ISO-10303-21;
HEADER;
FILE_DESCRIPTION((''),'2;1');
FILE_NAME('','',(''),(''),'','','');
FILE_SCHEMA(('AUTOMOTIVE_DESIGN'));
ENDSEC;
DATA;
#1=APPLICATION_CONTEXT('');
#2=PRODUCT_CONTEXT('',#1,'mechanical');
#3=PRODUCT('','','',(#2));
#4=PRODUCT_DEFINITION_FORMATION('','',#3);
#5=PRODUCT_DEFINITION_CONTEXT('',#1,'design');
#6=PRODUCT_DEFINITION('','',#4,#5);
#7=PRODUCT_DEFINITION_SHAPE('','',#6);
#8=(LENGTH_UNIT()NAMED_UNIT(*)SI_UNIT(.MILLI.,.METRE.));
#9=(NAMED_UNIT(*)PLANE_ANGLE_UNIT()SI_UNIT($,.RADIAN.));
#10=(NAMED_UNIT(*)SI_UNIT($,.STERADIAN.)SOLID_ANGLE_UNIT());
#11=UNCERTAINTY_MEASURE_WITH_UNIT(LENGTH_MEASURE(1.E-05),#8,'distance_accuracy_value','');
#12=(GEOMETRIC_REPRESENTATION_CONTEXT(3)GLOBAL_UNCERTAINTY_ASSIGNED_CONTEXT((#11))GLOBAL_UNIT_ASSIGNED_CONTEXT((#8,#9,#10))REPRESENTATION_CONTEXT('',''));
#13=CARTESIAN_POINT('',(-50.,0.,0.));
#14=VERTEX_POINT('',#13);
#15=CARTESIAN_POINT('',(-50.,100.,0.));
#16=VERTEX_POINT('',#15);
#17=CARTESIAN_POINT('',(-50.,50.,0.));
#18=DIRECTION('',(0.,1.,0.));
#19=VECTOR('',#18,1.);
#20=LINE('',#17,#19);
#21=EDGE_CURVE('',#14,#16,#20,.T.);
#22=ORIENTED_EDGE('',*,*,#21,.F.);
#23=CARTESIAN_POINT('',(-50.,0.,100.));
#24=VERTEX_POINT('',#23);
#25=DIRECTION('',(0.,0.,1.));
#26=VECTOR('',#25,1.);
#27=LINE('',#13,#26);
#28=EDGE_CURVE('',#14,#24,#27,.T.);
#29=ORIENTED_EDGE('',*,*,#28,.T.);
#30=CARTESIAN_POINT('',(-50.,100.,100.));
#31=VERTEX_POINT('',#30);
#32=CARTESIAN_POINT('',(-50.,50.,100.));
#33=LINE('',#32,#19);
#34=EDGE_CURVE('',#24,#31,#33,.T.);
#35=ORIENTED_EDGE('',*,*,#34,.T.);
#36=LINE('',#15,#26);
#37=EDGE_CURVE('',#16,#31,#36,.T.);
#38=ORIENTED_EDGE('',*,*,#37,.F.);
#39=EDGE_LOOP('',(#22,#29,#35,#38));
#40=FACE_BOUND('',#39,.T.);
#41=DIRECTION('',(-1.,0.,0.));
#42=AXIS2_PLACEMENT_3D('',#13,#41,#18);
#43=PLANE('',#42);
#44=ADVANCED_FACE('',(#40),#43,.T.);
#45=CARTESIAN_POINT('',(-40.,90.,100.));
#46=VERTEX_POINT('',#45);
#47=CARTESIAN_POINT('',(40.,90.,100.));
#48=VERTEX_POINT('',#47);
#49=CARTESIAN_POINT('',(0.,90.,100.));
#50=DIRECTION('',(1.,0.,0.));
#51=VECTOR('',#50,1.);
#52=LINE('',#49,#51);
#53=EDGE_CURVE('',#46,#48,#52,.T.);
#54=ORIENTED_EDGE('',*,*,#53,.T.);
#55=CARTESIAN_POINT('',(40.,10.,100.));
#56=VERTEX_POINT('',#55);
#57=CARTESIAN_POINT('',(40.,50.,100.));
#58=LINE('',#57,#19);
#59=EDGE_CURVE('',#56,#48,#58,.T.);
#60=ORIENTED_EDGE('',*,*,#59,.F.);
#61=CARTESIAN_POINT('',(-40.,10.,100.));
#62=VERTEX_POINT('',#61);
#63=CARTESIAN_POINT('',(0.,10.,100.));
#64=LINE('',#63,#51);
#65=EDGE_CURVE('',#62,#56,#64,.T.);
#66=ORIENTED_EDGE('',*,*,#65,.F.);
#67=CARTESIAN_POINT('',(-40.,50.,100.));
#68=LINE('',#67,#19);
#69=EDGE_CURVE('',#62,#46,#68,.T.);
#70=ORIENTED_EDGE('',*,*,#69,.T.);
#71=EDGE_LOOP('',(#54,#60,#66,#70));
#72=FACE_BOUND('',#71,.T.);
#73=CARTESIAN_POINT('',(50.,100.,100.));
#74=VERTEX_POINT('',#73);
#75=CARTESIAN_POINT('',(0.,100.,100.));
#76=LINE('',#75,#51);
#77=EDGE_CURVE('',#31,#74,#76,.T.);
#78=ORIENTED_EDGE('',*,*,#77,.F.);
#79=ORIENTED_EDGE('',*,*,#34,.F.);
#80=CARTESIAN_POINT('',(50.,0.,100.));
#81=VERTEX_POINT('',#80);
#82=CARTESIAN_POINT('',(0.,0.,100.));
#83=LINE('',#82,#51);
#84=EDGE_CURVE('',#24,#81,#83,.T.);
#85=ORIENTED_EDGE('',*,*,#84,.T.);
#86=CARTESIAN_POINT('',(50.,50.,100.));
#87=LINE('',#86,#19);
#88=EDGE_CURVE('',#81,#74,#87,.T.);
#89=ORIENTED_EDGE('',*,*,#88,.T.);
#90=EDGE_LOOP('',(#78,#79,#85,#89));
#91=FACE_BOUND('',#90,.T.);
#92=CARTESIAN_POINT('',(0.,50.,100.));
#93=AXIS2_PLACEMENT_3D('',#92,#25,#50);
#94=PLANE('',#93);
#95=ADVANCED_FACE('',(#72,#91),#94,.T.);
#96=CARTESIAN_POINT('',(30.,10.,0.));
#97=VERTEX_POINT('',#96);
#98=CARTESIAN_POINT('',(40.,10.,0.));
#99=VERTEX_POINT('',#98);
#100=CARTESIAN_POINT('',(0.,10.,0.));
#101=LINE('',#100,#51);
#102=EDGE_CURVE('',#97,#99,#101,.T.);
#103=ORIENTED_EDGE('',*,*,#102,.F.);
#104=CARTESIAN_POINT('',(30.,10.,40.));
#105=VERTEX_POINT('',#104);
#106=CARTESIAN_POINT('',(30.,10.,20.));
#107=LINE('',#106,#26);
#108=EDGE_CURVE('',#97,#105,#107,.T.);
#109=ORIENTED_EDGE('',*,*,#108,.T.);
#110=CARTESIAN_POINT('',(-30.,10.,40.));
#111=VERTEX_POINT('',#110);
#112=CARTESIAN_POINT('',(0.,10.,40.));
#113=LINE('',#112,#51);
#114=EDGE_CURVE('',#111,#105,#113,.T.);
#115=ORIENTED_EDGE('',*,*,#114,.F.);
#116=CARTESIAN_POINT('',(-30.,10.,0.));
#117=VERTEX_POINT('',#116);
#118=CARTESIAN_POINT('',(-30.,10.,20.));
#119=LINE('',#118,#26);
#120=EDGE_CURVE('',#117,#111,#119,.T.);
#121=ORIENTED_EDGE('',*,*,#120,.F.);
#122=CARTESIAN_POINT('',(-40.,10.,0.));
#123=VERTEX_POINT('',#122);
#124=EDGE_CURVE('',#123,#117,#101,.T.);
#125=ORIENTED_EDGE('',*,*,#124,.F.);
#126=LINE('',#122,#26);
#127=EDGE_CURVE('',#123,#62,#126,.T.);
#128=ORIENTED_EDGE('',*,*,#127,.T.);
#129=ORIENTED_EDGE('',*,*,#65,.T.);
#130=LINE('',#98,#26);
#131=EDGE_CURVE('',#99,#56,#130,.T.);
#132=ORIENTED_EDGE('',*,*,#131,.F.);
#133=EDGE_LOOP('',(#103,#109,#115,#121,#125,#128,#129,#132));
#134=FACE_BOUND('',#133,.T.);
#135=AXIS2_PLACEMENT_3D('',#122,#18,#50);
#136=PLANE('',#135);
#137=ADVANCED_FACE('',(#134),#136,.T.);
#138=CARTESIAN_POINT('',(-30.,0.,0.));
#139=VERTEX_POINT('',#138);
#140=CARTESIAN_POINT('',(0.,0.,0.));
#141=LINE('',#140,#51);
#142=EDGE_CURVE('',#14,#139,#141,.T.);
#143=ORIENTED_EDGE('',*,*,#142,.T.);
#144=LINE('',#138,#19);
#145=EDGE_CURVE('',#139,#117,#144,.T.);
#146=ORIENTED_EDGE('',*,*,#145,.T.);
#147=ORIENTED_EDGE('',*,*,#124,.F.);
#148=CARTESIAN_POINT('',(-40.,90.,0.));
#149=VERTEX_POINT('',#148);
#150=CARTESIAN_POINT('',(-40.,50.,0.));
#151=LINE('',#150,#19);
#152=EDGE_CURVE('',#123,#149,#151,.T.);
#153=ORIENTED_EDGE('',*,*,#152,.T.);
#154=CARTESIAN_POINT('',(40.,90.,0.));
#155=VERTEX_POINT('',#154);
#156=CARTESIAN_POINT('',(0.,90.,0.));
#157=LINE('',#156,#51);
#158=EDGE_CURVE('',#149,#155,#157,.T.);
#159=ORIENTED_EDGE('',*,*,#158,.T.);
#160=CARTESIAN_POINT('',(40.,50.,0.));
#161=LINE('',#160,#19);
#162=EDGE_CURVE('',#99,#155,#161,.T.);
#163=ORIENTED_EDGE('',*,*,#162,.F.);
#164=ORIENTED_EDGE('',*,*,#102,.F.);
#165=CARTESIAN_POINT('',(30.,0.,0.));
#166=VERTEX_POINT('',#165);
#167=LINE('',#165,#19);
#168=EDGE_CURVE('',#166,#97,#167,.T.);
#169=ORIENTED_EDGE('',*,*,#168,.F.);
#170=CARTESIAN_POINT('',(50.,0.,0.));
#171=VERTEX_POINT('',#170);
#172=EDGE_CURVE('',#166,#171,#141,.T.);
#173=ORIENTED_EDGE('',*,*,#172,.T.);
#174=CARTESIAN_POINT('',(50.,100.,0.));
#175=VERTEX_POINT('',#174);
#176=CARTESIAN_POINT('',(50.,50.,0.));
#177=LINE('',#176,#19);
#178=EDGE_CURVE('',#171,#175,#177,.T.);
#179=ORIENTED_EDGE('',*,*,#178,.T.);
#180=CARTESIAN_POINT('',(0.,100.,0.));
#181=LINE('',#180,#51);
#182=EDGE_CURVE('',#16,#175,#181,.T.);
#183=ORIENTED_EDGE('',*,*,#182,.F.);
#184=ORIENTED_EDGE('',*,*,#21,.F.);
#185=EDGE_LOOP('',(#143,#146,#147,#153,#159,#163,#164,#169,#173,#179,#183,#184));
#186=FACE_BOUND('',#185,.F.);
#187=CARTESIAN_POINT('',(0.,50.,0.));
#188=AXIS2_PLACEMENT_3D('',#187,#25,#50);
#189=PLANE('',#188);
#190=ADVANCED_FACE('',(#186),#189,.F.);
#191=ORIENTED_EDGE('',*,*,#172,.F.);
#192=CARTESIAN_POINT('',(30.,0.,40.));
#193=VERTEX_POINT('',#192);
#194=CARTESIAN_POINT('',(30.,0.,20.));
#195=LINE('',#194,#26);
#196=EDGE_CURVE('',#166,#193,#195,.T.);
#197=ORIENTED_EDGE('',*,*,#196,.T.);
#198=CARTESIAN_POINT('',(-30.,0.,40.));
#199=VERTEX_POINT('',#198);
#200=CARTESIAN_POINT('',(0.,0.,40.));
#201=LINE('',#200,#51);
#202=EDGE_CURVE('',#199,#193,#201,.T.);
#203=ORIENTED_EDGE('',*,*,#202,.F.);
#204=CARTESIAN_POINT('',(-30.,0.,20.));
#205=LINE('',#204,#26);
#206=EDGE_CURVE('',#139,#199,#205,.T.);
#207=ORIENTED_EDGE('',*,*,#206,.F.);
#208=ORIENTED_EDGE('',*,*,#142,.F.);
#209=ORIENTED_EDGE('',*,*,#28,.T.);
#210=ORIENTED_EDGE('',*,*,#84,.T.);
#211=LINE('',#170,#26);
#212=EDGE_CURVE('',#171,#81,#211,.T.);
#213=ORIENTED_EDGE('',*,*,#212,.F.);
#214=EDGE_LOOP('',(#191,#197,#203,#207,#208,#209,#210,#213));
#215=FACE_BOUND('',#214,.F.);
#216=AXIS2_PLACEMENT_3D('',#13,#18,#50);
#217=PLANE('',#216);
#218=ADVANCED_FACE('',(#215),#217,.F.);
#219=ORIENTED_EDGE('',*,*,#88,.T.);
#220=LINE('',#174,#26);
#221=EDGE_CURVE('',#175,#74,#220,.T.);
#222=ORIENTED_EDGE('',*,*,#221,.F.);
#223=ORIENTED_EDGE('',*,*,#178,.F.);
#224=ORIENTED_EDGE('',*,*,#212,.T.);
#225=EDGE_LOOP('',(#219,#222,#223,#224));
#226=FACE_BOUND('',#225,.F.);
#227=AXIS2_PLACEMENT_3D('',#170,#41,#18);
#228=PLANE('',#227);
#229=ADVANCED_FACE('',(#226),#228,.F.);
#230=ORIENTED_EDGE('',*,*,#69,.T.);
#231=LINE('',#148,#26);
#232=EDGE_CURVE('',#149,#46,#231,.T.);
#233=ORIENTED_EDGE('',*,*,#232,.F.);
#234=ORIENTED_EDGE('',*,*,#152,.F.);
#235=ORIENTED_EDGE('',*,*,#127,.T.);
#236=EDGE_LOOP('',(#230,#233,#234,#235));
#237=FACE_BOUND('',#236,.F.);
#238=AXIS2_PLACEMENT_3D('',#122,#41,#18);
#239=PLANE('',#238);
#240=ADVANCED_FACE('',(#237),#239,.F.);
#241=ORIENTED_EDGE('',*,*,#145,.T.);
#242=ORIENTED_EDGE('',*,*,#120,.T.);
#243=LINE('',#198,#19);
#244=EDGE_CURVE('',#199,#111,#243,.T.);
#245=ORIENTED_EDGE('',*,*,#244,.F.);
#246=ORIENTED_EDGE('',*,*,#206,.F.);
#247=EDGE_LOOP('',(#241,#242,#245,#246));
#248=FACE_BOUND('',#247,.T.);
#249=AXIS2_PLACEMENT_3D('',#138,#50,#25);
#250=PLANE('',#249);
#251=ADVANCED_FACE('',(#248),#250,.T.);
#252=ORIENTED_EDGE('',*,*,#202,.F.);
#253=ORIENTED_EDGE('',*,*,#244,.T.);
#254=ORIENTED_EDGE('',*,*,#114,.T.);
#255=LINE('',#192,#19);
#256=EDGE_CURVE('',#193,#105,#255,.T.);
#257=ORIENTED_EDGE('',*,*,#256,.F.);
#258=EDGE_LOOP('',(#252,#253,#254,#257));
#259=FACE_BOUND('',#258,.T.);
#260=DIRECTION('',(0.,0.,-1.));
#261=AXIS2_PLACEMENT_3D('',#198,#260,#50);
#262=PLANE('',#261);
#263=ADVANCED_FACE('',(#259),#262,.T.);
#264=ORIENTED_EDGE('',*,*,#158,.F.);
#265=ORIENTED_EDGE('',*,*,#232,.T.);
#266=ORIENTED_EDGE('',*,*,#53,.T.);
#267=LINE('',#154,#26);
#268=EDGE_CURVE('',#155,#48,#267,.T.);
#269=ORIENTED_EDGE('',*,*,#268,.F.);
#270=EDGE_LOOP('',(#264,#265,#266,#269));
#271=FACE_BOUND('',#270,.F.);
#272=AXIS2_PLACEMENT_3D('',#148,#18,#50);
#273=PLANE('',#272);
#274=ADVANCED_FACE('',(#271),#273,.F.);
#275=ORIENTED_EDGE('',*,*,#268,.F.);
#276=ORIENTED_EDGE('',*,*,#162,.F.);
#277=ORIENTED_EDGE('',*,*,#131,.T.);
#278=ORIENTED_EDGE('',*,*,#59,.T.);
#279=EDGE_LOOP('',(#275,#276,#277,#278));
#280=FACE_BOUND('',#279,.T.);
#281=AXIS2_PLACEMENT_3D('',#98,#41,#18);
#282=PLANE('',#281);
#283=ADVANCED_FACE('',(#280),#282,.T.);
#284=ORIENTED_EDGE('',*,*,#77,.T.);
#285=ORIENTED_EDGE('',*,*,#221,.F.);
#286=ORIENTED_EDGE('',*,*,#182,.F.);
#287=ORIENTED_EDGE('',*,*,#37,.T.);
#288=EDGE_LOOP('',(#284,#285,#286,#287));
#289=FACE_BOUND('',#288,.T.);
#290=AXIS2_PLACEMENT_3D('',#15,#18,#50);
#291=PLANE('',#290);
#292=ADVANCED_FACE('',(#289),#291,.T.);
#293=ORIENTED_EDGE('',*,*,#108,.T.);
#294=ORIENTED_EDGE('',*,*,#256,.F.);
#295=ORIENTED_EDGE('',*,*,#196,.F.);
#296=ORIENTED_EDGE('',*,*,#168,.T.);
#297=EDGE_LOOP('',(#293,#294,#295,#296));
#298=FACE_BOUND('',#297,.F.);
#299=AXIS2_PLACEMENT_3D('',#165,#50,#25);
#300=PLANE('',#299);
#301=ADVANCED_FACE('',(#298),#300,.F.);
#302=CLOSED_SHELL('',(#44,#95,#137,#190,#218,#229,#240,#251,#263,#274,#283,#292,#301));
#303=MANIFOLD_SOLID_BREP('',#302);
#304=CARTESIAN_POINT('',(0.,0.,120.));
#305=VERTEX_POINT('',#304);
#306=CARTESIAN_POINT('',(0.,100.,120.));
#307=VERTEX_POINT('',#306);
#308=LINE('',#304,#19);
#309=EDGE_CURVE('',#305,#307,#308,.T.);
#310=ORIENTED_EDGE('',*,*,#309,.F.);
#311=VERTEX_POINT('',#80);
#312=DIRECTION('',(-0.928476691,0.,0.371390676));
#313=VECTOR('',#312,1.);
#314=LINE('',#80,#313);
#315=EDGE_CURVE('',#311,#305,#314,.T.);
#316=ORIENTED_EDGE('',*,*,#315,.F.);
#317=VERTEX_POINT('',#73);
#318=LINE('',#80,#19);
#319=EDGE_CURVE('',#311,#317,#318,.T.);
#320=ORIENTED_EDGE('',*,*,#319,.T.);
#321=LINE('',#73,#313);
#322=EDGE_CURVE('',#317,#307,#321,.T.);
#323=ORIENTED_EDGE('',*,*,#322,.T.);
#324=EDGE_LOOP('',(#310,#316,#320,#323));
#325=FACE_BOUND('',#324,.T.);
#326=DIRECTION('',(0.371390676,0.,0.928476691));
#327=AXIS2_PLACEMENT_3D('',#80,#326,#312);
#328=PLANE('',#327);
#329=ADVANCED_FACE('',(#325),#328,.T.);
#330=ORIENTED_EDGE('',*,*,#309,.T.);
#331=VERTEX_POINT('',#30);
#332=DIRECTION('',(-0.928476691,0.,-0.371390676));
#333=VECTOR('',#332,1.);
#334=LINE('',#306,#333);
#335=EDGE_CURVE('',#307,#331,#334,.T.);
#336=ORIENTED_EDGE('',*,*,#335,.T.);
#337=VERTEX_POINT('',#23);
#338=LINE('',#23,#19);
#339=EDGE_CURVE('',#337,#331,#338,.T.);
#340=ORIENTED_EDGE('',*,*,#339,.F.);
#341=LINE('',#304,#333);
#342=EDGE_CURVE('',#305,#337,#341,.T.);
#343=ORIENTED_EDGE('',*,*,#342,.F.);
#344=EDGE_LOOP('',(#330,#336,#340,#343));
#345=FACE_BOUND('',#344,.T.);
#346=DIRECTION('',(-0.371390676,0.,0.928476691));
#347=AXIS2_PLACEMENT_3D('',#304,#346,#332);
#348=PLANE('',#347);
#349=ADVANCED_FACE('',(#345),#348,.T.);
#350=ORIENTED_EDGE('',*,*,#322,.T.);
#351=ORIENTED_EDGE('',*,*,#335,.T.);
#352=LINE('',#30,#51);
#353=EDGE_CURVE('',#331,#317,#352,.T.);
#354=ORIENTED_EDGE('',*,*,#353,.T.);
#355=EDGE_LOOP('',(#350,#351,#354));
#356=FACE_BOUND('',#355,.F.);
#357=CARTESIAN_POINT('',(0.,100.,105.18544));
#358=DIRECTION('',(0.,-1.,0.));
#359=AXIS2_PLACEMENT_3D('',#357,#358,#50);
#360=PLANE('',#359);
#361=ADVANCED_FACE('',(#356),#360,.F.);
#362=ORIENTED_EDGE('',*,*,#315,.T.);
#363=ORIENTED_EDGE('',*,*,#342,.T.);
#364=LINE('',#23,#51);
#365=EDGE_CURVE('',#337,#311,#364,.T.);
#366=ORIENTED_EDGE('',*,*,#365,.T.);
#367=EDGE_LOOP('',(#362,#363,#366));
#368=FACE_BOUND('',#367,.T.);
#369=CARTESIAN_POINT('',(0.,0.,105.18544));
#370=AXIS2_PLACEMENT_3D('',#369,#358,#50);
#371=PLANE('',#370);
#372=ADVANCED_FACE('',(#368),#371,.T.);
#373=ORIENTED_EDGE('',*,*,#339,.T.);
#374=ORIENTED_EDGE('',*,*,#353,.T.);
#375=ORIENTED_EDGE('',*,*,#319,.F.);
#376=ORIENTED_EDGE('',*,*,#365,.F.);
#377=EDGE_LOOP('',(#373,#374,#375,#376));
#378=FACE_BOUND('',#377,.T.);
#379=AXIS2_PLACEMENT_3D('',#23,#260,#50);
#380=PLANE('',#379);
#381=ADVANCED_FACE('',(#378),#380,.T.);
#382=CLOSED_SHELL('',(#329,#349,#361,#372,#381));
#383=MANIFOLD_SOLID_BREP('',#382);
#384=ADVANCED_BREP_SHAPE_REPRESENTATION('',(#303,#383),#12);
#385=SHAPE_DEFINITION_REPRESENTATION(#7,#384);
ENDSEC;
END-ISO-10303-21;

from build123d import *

# Parameters (mm, degrees)
F0_W     = 100
F0_H     = 100
F0_W_2   = 80
F0_H_2   = 80
F1_DEPTH = 100
F2_W     = 60
F2_H     = 40
F3_DEPTH = 10
F5_DEPTH = 100


with BuildPart() as f1:
    # F0 (on Top) → F1 (new body)
    with BuildSketch(Plane.XY):
        with Locations((0, 50)):
            Rectangle(F0_W, F0_H)
        with Locations((0, 50)):
            Rectangle(F0_W_2, F0_H_2, mode=Mode.SUBTRACT)
    extrude(amount=F1_DEPTH)

    # F2 (on face) → F3 (cut, through all)
    with BuildSketch(Plane.XZ):
        with Locations((0, 20)):
            Rectangle(F2_W, F2_H)
    extrude(amount=-F3_DEPTH, mode=Mode.SUBTRACT)


with BuildPart() as f5:
    # F4 (on face) → F5 (new body, through all)
    with BuildSketch(Plane.XZ):
        Polygon((0, 120), (-50, 100), (50, 100), align=None)
    extrude(amount=-F5_DEPTH)


solid = Compound([f1.part, f5.part])
